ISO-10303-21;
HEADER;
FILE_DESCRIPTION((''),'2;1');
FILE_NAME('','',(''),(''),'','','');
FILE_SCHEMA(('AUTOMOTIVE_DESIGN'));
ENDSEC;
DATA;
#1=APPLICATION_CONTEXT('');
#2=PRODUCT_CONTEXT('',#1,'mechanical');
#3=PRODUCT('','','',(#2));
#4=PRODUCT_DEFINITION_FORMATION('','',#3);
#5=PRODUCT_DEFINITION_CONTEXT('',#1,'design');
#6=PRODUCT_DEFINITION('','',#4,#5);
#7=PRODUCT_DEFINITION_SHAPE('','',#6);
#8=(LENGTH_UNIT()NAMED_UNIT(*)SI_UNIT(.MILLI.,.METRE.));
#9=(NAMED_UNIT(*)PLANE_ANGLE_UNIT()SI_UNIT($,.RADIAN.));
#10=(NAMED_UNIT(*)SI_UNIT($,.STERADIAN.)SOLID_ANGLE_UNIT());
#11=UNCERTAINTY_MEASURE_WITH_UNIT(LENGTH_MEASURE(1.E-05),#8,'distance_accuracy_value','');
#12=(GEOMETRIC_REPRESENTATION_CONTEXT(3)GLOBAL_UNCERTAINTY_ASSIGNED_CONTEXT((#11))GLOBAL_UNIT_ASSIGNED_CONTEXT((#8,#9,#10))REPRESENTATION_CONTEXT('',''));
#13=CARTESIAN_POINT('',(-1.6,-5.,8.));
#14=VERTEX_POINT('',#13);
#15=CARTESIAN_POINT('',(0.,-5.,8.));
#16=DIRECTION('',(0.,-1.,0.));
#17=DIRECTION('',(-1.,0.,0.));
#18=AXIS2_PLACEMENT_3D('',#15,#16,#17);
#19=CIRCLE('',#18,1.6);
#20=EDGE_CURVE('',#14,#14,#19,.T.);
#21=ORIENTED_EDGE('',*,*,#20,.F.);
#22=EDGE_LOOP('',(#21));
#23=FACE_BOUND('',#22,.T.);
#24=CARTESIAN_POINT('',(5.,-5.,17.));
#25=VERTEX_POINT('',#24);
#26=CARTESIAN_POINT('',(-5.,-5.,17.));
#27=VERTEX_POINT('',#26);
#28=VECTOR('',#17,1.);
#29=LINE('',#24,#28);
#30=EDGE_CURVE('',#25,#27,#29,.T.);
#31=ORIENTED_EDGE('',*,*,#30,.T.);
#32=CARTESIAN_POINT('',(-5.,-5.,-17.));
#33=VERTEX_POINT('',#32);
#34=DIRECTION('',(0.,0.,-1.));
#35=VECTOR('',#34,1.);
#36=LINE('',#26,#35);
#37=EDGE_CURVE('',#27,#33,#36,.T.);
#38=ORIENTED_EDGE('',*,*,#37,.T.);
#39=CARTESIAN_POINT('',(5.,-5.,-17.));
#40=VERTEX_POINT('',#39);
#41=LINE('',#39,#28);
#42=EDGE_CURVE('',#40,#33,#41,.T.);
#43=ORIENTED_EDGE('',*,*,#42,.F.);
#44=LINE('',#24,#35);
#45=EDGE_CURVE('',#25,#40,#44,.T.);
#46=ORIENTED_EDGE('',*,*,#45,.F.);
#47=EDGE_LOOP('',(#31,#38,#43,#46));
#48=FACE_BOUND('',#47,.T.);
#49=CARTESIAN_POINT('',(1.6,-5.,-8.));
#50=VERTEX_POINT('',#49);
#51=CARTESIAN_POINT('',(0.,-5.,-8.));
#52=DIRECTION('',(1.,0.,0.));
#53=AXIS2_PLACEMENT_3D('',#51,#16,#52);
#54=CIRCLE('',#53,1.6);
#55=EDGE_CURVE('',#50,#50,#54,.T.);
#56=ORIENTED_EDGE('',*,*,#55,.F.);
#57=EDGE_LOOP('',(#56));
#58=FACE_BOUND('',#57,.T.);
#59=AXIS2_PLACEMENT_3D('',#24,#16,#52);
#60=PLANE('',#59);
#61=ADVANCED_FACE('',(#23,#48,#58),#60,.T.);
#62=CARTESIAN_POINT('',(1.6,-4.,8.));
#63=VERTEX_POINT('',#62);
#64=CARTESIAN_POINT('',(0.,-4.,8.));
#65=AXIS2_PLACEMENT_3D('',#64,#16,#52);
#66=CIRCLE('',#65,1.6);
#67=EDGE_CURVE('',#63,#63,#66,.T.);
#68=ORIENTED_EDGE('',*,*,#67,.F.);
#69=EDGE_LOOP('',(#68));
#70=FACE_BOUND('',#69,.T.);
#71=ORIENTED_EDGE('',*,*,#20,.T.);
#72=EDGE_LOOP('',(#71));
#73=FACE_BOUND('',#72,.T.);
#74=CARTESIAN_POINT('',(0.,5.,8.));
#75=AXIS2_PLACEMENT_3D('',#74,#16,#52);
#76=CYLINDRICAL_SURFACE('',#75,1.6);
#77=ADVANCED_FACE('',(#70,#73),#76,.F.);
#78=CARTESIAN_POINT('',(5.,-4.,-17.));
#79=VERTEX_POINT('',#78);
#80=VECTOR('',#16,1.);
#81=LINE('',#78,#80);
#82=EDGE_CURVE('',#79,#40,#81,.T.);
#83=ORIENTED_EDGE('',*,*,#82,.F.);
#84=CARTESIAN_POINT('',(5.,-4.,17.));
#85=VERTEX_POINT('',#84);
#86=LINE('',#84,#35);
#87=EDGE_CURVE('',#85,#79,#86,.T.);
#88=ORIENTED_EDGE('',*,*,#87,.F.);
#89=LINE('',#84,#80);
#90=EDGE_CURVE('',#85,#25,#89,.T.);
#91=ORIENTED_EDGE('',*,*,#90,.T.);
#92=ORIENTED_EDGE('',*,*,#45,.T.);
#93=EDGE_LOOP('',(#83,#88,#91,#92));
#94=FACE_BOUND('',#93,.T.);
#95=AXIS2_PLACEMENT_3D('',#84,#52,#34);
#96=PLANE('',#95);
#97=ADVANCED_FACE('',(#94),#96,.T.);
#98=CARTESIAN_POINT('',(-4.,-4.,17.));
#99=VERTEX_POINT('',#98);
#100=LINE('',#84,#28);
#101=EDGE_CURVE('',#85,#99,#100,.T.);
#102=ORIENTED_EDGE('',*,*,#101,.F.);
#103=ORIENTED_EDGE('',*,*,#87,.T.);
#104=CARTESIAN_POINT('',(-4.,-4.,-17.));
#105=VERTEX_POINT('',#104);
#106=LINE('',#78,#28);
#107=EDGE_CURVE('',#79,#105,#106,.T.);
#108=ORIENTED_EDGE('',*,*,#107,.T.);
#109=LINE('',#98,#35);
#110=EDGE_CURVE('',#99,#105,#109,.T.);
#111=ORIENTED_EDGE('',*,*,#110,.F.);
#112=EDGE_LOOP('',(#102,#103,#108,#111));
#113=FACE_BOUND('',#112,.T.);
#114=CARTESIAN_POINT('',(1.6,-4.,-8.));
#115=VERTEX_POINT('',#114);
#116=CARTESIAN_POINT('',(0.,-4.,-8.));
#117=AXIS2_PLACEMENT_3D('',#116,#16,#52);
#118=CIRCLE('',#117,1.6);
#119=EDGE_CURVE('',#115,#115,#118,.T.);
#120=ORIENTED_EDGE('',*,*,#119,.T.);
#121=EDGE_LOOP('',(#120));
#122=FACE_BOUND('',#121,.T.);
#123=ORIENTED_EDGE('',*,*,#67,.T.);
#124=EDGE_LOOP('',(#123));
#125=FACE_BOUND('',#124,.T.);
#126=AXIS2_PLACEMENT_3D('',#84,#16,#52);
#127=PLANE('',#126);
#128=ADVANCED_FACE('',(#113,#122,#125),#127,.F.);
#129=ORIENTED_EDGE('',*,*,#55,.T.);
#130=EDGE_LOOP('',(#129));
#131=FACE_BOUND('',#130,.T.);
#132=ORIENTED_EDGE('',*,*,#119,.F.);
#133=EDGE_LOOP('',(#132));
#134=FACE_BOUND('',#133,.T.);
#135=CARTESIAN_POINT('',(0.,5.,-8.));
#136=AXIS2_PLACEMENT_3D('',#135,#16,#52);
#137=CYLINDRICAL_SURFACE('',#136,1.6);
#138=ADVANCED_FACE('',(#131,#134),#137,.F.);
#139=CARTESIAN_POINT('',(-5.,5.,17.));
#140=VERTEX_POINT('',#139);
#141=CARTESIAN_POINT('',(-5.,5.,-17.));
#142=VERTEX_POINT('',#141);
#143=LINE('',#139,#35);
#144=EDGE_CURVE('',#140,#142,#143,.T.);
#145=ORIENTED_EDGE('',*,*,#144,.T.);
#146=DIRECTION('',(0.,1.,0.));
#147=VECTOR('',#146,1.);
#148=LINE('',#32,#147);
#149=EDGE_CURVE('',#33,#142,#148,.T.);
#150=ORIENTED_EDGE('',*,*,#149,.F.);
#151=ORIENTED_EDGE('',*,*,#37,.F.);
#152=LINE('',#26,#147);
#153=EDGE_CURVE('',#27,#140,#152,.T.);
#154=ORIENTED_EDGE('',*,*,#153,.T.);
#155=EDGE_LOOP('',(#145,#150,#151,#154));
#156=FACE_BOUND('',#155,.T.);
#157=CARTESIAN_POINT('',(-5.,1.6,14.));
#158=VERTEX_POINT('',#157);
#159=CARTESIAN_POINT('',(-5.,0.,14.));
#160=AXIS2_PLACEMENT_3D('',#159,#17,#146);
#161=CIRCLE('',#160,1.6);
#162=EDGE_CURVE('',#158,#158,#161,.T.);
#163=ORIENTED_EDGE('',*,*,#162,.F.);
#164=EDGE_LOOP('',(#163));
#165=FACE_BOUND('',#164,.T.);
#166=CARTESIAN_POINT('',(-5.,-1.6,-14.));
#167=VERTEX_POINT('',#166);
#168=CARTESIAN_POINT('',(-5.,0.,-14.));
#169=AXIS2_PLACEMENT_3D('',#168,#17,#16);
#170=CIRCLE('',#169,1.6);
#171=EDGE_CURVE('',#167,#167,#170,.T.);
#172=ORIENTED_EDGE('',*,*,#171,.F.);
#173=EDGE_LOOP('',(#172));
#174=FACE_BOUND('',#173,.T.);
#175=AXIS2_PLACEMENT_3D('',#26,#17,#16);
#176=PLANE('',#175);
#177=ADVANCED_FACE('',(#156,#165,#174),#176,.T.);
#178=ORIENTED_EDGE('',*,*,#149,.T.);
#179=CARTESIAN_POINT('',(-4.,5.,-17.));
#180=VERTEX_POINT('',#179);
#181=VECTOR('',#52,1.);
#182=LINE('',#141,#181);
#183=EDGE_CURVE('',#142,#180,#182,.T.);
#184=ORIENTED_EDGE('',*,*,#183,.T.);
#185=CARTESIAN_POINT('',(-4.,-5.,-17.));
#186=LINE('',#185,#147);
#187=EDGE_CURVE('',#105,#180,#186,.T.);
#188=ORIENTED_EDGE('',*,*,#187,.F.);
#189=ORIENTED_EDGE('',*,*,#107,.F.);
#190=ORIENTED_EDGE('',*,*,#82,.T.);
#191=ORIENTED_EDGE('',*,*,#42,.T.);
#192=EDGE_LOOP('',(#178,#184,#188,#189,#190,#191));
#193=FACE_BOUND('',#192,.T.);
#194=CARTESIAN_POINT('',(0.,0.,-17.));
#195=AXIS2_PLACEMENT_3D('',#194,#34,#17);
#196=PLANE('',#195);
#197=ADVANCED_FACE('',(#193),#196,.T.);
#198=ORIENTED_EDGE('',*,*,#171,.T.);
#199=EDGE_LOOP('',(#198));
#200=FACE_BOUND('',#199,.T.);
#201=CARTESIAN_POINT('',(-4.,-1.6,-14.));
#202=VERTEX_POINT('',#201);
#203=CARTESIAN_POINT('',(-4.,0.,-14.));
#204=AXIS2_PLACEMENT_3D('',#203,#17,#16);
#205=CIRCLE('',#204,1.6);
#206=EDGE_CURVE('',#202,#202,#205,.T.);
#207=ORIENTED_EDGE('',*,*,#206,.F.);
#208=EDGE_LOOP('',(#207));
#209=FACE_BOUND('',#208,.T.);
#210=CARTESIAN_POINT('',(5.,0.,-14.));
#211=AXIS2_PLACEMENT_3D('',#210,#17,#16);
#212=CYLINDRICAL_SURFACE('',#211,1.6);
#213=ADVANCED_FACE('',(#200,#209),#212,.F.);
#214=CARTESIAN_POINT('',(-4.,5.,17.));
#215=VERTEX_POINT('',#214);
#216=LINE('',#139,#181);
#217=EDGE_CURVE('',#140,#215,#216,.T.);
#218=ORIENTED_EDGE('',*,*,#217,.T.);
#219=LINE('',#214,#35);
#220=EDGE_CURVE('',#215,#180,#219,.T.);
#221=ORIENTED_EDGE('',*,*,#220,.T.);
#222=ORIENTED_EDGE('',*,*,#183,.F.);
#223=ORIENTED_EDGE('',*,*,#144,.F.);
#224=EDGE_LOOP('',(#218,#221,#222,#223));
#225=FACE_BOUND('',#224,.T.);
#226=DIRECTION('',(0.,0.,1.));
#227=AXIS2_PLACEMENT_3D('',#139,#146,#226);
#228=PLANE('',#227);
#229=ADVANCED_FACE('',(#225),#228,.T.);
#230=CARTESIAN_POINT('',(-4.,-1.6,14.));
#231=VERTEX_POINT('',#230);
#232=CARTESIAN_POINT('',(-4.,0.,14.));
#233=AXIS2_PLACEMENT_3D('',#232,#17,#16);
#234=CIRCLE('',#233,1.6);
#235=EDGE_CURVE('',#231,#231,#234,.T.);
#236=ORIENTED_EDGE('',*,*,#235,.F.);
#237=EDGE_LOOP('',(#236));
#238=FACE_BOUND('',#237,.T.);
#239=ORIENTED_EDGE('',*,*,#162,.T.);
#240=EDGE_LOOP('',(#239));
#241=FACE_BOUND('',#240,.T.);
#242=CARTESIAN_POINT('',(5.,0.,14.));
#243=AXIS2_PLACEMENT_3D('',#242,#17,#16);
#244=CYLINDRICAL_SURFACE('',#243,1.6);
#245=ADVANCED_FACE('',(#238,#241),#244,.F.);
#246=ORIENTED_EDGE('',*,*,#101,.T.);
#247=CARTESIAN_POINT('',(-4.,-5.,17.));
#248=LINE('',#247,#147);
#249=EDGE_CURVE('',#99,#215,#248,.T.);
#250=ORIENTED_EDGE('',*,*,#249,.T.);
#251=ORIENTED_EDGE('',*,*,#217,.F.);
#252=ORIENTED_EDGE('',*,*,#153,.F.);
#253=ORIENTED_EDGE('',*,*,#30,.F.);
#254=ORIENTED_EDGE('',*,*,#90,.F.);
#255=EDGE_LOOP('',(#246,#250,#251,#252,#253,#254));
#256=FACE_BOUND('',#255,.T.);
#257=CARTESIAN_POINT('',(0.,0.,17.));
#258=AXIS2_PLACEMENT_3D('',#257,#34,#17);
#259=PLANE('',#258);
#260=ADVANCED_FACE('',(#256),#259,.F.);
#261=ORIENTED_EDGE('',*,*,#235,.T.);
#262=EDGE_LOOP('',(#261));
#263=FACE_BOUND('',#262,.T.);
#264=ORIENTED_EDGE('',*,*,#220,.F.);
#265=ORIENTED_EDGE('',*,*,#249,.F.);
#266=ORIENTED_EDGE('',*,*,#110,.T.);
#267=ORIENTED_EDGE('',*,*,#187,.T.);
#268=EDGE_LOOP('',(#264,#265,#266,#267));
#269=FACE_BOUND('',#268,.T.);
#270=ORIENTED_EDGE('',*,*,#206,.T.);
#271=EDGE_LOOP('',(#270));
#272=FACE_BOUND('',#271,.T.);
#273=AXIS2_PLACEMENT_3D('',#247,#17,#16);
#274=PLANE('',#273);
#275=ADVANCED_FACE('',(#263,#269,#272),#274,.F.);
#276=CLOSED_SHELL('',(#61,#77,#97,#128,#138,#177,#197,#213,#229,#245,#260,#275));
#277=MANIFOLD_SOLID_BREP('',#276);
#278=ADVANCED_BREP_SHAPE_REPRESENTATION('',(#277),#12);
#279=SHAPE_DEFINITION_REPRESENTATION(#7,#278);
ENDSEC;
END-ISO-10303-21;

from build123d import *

# Parameters (mm, degrees)
EXTRUDE_1_DEPTH     = 17
SKETCH_2_R          = 1.6
CUT_EXTRUDE_1_DEPTH = 21.346989949
SKETCH_3_R          = 1.6
CUT_EXTRUDE_2_DEPTH = 21.346989949


with BuildPart() as part:
    # ｽｹｯﾁ1 → 押し出し-薄板1 (new, symmetric)
    with BuildSketch(Plane.XY):
        Polygon((5, -5), (-5, -5), (-5, 5), (-4, 5), (-4, -4), (5, -4), align=None)
    extrude(amount=EXTRUDE_1_DEPTH, both=True)

    # ｽｹｯﾁ2 → ｶｯﾄ - 押し出し1 (cut, through all)
    with BuildSketch(Plane.ZY.offset(5)):
        with Locations(Location((-14, 0, 0), (0, 0, 270))):
            Circle(SKETCH_2_R)
        with Locations(Location((14, 0, 0), (0, 0, 270))):
            Circle(SKETCH_2_R)
    extrude(amount=-CUT_EXTRUDE_1_DEPTH, mode=Mode.SUBTRACT)

    # ｽｹｯﾁ3 → ｶｯﾄ - 押し出し2 (cut, through all)
    with BuildSketch(Plane.XZ.offset(5)):
        with Locations((0, -8)):
            Circle(SKETCH_3_R)
        with Locations((0, 8)):
            Circle(SKETCH_3_R)
    extrude(amount=-CUT_EXTRUDE_2_DEPTH, mode=Mode.SUBTRACT)


solid = part.part
